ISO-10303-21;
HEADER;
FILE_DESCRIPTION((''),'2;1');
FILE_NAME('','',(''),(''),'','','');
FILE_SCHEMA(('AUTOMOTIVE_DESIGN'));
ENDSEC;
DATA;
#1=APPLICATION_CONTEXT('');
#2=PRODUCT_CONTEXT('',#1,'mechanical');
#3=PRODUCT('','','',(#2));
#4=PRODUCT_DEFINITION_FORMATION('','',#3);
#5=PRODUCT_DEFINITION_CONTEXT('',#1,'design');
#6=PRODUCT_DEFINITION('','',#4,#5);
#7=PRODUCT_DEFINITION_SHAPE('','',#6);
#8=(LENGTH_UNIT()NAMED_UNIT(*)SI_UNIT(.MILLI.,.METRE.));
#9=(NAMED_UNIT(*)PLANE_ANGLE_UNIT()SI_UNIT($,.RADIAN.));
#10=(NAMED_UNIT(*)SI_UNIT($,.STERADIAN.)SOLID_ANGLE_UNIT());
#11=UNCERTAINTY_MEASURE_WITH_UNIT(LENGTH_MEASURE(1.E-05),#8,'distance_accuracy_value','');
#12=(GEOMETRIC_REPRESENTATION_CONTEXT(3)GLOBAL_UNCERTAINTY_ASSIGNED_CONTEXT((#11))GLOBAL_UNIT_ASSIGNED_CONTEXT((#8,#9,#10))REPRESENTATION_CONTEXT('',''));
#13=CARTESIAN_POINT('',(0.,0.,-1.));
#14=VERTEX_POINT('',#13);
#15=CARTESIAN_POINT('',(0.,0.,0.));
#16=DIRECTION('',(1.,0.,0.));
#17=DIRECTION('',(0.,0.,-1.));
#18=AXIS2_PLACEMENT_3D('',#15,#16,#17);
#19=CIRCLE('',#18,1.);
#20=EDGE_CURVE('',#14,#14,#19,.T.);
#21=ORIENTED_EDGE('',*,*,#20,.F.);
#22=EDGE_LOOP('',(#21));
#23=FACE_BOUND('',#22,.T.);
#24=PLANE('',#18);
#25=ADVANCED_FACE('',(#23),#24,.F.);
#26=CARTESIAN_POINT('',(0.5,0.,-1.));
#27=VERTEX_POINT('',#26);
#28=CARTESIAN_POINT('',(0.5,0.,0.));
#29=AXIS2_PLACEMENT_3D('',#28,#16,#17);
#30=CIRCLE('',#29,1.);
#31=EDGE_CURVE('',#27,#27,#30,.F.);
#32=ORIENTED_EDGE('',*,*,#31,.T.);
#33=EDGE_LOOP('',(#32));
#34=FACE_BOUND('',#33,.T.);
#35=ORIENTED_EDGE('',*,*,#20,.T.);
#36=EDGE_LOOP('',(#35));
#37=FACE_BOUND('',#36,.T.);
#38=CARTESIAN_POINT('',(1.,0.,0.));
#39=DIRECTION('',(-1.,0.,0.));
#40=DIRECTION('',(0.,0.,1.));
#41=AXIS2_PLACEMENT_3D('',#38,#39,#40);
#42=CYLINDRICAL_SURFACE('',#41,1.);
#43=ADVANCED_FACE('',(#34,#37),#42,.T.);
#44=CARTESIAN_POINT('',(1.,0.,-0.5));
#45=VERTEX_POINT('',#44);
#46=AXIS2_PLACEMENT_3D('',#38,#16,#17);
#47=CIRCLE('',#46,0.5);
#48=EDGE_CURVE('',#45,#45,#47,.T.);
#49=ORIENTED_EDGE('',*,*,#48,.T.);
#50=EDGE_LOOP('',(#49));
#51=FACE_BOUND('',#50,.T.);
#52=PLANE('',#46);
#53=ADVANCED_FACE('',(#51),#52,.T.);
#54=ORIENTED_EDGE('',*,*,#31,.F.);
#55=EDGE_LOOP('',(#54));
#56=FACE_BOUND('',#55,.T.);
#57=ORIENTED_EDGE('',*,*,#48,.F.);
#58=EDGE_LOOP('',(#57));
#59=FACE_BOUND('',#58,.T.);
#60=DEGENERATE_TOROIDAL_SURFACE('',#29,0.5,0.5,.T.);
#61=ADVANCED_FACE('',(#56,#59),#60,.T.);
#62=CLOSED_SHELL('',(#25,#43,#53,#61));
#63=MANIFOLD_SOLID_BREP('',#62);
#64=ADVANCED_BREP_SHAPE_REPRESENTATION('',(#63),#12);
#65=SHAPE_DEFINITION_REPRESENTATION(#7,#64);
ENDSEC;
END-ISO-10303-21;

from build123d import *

# Parameters (mm, degrees)
SKETCH_1_R      = 1
EXTRUDE_1_DEPTH = 1
FILLET_1_R      = 0.5


with BuildPart() as part:
    # 草图1 → 凸台-拉伸1 (new body)
    with BuildSketch(Plane(origin=(0, 0, 0), x_dir=(0, 0, -1), z_dir=(1, 0, 0))):
        Circle(SKETCH_1_R)
    extrude(amount=EXTRUDE_1_DEPTH)

    # 圆角1
    fillet_1_edges = [part.edges().sort_by_distance(p)[0] for p in [
        (1, 0, 1),
    ]]
    fillet(fillet_1_edges, radius=FILLET_1_R)


solid = part.part
